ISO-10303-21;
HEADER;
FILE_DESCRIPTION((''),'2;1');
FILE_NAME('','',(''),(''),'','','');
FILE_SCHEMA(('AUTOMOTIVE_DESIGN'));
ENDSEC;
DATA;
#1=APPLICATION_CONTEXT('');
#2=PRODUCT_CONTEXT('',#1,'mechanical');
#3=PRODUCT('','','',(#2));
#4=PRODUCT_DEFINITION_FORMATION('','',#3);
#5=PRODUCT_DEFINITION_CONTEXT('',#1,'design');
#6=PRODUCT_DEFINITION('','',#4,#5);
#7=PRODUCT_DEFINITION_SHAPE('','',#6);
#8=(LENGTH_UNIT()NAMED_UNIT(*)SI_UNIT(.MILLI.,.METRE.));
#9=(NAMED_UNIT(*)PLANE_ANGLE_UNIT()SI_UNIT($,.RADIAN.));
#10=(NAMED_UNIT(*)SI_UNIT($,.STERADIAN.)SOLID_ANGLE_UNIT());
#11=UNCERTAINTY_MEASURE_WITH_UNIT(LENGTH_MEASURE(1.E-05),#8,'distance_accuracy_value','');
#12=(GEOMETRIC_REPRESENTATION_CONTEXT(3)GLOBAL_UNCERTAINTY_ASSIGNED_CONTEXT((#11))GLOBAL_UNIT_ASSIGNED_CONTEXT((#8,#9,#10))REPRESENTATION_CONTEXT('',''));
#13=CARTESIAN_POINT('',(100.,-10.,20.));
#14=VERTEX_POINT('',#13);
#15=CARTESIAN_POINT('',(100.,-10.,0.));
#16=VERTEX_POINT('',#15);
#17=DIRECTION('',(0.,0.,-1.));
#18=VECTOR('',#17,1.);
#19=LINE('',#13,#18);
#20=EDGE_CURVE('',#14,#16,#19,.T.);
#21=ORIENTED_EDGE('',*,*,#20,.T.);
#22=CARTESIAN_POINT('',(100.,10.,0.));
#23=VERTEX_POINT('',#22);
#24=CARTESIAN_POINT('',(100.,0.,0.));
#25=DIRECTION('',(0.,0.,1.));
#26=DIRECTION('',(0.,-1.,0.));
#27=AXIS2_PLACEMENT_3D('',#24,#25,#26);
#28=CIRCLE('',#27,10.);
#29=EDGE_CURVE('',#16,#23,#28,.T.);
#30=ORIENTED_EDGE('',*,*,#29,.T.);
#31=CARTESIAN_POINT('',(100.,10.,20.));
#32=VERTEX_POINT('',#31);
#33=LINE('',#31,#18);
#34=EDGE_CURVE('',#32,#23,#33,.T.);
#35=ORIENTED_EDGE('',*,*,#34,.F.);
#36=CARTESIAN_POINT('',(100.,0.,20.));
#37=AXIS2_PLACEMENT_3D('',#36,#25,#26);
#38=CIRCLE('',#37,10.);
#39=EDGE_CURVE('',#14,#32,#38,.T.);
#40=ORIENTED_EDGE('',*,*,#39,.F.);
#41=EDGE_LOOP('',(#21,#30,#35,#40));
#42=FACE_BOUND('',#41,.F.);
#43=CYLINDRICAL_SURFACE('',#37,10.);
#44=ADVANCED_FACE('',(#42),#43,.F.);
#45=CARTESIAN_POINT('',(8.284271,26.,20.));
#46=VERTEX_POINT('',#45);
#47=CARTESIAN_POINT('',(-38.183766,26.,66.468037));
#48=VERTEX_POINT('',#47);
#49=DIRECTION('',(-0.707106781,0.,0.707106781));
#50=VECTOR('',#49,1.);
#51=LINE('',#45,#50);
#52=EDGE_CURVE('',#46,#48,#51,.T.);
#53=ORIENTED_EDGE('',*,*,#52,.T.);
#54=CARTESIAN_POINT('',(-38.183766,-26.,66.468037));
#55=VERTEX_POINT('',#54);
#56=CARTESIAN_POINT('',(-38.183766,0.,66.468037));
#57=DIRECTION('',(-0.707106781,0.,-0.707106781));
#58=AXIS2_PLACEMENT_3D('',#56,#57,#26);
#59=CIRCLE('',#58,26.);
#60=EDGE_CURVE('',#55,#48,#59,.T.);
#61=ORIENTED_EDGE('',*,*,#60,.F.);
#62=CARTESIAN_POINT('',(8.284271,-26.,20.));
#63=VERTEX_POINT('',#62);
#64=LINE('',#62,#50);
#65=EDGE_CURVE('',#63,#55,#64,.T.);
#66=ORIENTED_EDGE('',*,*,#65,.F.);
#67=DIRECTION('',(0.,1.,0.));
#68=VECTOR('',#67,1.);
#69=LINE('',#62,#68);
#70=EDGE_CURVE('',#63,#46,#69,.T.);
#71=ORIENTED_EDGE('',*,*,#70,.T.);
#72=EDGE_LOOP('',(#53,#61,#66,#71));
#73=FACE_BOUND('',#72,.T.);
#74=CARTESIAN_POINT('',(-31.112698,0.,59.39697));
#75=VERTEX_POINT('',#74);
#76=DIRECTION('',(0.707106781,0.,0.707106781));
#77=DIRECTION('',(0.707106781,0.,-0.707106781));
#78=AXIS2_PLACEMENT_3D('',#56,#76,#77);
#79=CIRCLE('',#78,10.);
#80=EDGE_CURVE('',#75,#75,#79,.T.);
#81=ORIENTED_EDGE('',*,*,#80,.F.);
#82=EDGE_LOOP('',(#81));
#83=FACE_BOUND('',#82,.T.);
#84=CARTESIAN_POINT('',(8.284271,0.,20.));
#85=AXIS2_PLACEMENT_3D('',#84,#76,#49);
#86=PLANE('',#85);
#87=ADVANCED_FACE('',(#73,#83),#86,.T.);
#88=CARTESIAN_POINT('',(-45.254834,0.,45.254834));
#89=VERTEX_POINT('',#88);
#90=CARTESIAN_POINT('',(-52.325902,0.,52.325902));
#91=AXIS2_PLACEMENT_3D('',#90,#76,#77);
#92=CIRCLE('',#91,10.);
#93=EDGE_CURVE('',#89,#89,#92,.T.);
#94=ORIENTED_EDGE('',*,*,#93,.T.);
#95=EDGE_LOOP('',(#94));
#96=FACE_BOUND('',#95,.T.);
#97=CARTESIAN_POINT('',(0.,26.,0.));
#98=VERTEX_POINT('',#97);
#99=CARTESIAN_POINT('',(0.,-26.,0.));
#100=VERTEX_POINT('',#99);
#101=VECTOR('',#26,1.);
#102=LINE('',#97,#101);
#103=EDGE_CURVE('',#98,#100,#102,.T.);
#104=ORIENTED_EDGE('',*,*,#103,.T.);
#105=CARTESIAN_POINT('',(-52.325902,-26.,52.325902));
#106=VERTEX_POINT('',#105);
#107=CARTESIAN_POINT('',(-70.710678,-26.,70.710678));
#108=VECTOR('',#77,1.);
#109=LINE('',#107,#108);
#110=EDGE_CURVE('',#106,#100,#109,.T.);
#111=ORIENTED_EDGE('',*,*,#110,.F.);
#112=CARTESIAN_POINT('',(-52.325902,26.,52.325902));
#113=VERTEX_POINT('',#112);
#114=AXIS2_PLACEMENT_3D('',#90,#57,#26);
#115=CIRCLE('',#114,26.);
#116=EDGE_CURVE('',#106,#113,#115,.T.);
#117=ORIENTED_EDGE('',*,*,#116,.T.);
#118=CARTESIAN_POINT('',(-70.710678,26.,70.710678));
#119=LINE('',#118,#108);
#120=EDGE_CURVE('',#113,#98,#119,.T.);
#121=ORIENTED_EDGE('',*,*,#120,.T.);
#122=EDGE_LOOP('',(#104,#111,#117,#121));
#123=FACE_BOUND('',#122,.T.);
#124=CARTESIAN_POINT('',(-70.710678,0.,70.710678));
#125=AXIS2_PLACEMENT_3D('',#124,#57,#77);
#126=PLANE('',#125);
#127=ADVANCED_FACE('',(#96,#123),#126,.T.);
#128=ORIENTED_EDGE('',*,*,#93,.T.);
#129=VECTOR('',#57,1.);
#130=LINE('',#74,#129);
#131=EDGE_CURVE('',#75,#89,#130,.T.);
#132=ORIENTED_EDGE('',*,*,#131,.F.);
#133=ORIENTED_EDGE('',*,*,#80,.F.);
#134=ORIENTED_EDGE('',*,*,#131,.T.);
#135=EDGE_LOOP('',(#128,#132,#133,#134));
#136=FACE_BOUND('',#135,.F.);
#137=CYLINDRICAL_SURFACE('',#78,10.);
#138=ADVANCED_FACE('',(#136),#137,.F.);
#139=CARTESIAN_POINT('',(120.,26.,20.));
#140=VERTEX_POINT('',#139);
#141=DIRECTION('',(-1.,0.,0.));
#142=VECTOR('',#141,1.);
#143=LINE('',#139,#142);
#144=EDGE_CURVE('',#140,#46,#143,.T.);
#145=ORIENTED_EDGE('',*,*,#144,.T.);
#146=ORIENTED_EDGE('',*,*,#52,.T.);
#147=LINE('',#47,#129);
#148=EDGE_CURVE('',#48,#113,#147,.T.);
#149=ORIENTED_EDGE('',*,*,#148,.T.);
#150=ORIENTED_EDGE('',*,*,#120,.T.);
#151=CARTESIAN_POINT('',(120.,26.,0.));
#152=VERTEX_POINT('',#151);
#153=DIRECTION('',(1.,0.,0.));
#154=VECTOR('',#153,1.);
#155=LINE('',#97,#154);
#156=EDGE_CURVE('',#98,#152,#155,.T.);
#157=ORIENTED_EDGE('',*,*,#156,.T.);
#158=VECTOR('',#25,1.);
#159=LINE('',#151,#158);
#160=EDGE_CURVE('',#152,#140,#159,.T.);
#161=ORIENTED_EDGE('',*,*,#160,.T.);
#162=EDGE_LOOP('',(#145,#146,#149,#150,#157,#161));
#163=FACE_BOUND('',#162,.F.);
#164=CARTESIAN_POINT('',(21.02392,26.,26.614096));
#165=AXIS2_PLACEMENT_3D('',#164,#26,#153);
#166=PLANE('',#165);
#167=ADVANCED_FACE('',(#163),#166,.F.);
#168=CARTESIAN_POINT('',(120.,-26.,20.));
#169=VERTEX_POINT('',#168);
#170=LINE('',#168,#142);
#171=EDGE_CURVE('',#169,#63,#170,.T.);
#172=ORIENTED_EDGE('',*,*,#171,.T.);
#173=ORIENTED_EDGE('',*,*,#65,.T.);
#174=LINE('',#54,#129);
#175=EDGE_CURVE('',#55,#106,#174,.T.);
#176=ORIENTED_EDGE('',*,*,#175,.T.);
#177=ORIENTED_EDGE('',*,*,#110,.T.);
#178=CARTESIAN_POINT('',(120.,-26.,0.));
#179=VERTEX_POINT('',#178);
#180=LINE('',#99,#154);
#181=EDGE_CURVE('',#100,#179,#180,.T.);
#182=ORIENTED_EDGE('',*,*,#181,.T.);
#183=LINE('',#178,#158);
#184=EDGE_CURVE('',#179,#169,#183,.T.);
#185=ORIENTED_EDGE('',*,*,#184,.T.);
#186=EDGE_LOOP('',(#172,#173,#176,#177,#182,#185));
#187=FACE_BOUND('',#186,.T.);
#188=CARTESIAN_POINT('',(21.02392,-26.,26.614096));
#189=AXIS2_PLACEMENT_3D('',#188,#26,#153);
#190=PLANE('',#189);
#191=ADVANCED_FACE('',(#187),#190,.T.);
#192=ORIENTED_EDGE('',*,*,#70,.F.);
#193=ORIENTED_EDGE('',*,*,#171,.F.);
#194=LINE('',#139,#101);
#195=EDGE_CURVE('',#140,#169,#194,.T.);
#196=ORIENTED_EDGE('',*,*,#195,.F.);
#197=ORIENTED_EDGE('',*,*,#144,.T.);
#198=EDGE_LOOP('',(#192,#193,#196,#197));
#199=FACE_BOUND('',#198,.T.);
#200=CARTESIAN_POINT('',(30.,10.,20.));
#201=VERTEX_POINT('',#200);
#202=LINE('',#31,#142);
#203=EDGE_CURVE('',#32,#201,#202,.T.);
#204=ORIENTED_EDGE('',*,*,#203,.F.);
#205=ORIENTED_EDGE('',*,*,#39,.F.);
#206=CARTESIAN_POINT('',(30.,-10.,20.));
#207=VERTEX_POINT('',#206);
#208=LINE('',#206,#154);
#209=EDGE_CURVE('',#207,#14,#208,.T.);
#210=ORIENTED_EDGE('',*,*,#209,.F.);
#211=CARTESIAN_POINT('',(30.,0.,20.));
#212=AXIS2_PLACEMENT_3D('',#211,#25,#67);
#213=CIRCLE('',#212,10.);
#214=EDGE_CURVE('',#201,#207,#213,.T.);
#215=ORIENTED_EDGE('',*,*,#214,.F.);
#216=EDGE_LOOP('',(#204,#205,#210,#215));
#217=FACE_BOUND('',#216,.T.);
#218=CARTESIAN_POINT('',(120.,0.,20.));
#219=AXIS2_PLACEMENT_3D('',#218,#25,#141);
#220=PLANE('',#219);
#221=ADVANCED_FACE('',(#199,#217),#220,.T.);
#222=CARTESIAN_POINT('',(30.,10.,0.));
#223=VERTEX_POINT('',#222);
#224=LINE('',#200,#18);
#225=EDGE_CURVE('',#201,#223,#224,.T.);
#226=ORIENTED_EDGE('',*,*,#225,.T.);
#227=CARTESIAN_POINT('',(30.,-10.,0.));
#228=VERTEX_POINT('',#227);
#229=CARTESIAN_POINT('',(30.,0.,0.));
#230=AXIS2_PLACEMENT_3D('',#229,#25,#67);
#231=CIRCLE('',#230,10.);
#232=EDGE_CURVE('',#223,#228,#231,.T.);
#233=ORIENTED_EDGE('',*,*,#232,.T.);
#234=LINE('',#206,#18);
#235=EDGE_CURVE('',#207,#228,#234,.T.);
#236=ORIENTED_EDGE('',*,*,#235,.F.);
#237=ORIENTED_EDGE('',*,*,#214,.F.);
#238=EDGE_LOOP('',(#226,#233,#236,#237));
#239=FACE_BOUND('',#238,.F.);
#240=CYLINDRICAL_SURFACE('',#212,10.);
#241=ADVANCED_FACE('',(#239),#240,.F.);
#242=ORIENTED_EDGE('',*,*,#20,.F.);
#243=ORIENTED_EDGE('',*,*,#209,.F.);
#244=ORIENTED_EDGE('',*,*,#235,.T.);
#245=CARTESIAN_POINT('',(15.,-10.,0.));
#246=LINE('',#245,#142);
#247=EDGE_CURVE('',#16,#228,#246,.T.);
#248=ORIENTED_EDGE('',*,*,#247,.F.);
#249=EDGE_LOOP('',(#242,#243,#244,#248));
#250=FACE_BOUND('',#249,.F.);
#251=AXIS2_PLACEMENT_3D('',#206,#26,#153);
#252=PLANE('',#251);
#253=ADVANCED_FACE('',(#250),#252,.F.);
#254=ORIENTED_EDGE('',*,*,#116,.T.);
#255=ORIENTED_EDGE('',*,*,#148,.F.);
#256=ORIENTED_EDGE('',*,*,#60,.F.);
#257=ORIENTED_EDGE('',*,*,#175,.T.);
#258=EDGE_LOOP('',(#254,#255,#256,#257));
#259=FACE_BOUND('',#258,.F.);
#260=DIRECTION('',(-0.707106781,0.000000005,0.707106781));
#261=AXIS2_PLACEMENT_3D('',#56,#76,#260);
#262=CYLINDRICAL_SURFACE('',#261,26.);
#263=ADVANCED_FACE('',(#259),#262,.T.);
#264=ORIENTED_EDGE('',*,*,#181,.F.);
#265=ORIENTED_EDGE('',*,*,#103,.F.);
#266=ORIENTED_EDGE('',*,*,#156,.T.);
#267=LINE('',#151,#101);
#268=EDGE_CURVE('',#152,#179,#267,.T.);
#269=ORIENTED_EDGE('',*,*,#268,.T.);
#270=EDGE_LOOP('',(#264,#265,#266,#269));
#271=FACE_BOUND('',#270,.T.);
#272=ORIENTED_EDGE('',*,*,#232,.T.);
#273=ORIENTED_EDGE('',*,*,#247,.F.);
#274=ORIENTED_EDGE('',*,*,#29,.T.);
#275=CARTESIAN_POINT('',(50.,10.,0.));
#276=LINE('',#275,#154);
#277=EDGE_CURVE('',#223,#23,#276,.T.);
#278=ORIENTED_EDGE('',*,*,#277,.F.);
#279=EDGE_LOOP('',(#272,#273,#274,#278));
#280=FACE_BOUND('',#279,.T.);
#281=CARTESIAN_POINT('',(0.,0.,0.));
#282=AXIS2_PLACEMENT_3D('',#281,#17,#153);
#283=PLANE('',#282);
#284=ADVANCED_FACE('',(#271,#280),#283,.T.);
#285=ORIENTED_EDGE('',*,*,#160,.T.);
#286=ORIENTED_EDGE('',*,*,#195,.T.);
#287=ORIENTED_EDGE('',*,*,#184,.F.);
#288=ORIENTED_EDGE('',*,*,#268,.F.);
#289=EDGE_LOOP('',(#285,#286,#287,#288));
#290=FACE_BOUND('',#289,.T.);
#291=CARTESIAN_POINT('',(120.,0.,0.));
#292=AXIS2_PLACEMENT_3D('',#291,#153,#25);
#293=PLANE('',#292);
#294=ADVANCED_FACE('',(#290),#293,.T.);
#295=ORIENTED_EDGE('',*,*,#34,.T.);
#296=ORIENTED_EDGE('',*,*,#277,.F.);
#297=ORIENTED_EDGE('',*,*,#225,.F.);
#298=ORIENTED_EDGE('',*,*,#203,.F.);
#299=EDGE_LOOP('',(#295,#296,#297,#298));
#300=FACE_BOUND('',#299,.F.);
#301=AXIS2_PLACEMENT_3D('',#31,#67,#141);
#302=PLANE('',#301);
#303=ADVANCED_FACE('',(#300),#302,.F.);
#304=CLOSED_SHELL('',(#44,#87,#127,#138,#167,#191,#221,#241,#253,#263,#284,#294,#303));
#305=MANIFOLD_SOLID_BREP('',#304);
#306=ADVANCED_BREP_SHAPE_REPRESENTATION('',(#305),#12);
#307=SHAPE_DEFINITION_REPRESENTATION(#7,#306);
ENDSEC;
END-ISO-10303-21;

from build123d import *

# Parameters (mm, degrees)
F1_DEPTH = 26
F3_DEPTH = 20.001
F4_R     = 10
F5_DEPTH = 70.001


with BuildPart() as f1:
    # F0 (on Front) → F1 (new body, symmetric)
    with BuildSketch(Plane.XZ):
        Polygon((-70.7106781187, 70.7106781187), (0, 0), (120, 0), (120, 20), (8.2842712475, 20), (-56.5685424949, 84.8528137424), align=None)
    extrude(amount=F1_DEPTH, both=True)

    # F2 (on face) → F3 (cut, through all)
    with BuildSketch(Plane.XY.offset(20)):
        with BuildLine():
            Line((30, -10), (100, -10))
            ThreePointArc((100, -10), (110, 0), (100, 10))
            Line((100, 10), (30, 10))
            ThreePointArc((30, 10), (20, 0), (30, -10))
        make_face()
    extrude(amount=-F3_DEPTH, mode=Mode.SUBTRACT)

    # F4 (on face) → F5 (cut, through all)
    with BuildSketch(Plane(origin=(14.1421356237, 0, 14.1421356237), x_dir=(0.7071067812, 0, -0.7071067812), z_dir=(0.7071067812, 0, 0.7071067812))):
        with Locations((-74, 0)):
            Circle(F4_R)
        with BuildLine():
            ThreePointArc((-74, -26), (-92.3847763543, -18.3847762674), (-100, 1.228e-07))
            Line((-100, 1.228e-07), (-100, -26))
            Line((-100, -26), (-74, -26))
        make_face()
        with BuildLine():
            ThreePointArc((-100, 1.228e-07), (-92.3847762674, 18.3847763543), (-74, 26))
            Line((-74, 26), (-100, 26))
            Line((-100, 26), (-100, 1.228e-07))
        make_face()
    extrude(amount=-F5_DEPTH, mode=Mode.SUBTRACT)


solid = f1.part
